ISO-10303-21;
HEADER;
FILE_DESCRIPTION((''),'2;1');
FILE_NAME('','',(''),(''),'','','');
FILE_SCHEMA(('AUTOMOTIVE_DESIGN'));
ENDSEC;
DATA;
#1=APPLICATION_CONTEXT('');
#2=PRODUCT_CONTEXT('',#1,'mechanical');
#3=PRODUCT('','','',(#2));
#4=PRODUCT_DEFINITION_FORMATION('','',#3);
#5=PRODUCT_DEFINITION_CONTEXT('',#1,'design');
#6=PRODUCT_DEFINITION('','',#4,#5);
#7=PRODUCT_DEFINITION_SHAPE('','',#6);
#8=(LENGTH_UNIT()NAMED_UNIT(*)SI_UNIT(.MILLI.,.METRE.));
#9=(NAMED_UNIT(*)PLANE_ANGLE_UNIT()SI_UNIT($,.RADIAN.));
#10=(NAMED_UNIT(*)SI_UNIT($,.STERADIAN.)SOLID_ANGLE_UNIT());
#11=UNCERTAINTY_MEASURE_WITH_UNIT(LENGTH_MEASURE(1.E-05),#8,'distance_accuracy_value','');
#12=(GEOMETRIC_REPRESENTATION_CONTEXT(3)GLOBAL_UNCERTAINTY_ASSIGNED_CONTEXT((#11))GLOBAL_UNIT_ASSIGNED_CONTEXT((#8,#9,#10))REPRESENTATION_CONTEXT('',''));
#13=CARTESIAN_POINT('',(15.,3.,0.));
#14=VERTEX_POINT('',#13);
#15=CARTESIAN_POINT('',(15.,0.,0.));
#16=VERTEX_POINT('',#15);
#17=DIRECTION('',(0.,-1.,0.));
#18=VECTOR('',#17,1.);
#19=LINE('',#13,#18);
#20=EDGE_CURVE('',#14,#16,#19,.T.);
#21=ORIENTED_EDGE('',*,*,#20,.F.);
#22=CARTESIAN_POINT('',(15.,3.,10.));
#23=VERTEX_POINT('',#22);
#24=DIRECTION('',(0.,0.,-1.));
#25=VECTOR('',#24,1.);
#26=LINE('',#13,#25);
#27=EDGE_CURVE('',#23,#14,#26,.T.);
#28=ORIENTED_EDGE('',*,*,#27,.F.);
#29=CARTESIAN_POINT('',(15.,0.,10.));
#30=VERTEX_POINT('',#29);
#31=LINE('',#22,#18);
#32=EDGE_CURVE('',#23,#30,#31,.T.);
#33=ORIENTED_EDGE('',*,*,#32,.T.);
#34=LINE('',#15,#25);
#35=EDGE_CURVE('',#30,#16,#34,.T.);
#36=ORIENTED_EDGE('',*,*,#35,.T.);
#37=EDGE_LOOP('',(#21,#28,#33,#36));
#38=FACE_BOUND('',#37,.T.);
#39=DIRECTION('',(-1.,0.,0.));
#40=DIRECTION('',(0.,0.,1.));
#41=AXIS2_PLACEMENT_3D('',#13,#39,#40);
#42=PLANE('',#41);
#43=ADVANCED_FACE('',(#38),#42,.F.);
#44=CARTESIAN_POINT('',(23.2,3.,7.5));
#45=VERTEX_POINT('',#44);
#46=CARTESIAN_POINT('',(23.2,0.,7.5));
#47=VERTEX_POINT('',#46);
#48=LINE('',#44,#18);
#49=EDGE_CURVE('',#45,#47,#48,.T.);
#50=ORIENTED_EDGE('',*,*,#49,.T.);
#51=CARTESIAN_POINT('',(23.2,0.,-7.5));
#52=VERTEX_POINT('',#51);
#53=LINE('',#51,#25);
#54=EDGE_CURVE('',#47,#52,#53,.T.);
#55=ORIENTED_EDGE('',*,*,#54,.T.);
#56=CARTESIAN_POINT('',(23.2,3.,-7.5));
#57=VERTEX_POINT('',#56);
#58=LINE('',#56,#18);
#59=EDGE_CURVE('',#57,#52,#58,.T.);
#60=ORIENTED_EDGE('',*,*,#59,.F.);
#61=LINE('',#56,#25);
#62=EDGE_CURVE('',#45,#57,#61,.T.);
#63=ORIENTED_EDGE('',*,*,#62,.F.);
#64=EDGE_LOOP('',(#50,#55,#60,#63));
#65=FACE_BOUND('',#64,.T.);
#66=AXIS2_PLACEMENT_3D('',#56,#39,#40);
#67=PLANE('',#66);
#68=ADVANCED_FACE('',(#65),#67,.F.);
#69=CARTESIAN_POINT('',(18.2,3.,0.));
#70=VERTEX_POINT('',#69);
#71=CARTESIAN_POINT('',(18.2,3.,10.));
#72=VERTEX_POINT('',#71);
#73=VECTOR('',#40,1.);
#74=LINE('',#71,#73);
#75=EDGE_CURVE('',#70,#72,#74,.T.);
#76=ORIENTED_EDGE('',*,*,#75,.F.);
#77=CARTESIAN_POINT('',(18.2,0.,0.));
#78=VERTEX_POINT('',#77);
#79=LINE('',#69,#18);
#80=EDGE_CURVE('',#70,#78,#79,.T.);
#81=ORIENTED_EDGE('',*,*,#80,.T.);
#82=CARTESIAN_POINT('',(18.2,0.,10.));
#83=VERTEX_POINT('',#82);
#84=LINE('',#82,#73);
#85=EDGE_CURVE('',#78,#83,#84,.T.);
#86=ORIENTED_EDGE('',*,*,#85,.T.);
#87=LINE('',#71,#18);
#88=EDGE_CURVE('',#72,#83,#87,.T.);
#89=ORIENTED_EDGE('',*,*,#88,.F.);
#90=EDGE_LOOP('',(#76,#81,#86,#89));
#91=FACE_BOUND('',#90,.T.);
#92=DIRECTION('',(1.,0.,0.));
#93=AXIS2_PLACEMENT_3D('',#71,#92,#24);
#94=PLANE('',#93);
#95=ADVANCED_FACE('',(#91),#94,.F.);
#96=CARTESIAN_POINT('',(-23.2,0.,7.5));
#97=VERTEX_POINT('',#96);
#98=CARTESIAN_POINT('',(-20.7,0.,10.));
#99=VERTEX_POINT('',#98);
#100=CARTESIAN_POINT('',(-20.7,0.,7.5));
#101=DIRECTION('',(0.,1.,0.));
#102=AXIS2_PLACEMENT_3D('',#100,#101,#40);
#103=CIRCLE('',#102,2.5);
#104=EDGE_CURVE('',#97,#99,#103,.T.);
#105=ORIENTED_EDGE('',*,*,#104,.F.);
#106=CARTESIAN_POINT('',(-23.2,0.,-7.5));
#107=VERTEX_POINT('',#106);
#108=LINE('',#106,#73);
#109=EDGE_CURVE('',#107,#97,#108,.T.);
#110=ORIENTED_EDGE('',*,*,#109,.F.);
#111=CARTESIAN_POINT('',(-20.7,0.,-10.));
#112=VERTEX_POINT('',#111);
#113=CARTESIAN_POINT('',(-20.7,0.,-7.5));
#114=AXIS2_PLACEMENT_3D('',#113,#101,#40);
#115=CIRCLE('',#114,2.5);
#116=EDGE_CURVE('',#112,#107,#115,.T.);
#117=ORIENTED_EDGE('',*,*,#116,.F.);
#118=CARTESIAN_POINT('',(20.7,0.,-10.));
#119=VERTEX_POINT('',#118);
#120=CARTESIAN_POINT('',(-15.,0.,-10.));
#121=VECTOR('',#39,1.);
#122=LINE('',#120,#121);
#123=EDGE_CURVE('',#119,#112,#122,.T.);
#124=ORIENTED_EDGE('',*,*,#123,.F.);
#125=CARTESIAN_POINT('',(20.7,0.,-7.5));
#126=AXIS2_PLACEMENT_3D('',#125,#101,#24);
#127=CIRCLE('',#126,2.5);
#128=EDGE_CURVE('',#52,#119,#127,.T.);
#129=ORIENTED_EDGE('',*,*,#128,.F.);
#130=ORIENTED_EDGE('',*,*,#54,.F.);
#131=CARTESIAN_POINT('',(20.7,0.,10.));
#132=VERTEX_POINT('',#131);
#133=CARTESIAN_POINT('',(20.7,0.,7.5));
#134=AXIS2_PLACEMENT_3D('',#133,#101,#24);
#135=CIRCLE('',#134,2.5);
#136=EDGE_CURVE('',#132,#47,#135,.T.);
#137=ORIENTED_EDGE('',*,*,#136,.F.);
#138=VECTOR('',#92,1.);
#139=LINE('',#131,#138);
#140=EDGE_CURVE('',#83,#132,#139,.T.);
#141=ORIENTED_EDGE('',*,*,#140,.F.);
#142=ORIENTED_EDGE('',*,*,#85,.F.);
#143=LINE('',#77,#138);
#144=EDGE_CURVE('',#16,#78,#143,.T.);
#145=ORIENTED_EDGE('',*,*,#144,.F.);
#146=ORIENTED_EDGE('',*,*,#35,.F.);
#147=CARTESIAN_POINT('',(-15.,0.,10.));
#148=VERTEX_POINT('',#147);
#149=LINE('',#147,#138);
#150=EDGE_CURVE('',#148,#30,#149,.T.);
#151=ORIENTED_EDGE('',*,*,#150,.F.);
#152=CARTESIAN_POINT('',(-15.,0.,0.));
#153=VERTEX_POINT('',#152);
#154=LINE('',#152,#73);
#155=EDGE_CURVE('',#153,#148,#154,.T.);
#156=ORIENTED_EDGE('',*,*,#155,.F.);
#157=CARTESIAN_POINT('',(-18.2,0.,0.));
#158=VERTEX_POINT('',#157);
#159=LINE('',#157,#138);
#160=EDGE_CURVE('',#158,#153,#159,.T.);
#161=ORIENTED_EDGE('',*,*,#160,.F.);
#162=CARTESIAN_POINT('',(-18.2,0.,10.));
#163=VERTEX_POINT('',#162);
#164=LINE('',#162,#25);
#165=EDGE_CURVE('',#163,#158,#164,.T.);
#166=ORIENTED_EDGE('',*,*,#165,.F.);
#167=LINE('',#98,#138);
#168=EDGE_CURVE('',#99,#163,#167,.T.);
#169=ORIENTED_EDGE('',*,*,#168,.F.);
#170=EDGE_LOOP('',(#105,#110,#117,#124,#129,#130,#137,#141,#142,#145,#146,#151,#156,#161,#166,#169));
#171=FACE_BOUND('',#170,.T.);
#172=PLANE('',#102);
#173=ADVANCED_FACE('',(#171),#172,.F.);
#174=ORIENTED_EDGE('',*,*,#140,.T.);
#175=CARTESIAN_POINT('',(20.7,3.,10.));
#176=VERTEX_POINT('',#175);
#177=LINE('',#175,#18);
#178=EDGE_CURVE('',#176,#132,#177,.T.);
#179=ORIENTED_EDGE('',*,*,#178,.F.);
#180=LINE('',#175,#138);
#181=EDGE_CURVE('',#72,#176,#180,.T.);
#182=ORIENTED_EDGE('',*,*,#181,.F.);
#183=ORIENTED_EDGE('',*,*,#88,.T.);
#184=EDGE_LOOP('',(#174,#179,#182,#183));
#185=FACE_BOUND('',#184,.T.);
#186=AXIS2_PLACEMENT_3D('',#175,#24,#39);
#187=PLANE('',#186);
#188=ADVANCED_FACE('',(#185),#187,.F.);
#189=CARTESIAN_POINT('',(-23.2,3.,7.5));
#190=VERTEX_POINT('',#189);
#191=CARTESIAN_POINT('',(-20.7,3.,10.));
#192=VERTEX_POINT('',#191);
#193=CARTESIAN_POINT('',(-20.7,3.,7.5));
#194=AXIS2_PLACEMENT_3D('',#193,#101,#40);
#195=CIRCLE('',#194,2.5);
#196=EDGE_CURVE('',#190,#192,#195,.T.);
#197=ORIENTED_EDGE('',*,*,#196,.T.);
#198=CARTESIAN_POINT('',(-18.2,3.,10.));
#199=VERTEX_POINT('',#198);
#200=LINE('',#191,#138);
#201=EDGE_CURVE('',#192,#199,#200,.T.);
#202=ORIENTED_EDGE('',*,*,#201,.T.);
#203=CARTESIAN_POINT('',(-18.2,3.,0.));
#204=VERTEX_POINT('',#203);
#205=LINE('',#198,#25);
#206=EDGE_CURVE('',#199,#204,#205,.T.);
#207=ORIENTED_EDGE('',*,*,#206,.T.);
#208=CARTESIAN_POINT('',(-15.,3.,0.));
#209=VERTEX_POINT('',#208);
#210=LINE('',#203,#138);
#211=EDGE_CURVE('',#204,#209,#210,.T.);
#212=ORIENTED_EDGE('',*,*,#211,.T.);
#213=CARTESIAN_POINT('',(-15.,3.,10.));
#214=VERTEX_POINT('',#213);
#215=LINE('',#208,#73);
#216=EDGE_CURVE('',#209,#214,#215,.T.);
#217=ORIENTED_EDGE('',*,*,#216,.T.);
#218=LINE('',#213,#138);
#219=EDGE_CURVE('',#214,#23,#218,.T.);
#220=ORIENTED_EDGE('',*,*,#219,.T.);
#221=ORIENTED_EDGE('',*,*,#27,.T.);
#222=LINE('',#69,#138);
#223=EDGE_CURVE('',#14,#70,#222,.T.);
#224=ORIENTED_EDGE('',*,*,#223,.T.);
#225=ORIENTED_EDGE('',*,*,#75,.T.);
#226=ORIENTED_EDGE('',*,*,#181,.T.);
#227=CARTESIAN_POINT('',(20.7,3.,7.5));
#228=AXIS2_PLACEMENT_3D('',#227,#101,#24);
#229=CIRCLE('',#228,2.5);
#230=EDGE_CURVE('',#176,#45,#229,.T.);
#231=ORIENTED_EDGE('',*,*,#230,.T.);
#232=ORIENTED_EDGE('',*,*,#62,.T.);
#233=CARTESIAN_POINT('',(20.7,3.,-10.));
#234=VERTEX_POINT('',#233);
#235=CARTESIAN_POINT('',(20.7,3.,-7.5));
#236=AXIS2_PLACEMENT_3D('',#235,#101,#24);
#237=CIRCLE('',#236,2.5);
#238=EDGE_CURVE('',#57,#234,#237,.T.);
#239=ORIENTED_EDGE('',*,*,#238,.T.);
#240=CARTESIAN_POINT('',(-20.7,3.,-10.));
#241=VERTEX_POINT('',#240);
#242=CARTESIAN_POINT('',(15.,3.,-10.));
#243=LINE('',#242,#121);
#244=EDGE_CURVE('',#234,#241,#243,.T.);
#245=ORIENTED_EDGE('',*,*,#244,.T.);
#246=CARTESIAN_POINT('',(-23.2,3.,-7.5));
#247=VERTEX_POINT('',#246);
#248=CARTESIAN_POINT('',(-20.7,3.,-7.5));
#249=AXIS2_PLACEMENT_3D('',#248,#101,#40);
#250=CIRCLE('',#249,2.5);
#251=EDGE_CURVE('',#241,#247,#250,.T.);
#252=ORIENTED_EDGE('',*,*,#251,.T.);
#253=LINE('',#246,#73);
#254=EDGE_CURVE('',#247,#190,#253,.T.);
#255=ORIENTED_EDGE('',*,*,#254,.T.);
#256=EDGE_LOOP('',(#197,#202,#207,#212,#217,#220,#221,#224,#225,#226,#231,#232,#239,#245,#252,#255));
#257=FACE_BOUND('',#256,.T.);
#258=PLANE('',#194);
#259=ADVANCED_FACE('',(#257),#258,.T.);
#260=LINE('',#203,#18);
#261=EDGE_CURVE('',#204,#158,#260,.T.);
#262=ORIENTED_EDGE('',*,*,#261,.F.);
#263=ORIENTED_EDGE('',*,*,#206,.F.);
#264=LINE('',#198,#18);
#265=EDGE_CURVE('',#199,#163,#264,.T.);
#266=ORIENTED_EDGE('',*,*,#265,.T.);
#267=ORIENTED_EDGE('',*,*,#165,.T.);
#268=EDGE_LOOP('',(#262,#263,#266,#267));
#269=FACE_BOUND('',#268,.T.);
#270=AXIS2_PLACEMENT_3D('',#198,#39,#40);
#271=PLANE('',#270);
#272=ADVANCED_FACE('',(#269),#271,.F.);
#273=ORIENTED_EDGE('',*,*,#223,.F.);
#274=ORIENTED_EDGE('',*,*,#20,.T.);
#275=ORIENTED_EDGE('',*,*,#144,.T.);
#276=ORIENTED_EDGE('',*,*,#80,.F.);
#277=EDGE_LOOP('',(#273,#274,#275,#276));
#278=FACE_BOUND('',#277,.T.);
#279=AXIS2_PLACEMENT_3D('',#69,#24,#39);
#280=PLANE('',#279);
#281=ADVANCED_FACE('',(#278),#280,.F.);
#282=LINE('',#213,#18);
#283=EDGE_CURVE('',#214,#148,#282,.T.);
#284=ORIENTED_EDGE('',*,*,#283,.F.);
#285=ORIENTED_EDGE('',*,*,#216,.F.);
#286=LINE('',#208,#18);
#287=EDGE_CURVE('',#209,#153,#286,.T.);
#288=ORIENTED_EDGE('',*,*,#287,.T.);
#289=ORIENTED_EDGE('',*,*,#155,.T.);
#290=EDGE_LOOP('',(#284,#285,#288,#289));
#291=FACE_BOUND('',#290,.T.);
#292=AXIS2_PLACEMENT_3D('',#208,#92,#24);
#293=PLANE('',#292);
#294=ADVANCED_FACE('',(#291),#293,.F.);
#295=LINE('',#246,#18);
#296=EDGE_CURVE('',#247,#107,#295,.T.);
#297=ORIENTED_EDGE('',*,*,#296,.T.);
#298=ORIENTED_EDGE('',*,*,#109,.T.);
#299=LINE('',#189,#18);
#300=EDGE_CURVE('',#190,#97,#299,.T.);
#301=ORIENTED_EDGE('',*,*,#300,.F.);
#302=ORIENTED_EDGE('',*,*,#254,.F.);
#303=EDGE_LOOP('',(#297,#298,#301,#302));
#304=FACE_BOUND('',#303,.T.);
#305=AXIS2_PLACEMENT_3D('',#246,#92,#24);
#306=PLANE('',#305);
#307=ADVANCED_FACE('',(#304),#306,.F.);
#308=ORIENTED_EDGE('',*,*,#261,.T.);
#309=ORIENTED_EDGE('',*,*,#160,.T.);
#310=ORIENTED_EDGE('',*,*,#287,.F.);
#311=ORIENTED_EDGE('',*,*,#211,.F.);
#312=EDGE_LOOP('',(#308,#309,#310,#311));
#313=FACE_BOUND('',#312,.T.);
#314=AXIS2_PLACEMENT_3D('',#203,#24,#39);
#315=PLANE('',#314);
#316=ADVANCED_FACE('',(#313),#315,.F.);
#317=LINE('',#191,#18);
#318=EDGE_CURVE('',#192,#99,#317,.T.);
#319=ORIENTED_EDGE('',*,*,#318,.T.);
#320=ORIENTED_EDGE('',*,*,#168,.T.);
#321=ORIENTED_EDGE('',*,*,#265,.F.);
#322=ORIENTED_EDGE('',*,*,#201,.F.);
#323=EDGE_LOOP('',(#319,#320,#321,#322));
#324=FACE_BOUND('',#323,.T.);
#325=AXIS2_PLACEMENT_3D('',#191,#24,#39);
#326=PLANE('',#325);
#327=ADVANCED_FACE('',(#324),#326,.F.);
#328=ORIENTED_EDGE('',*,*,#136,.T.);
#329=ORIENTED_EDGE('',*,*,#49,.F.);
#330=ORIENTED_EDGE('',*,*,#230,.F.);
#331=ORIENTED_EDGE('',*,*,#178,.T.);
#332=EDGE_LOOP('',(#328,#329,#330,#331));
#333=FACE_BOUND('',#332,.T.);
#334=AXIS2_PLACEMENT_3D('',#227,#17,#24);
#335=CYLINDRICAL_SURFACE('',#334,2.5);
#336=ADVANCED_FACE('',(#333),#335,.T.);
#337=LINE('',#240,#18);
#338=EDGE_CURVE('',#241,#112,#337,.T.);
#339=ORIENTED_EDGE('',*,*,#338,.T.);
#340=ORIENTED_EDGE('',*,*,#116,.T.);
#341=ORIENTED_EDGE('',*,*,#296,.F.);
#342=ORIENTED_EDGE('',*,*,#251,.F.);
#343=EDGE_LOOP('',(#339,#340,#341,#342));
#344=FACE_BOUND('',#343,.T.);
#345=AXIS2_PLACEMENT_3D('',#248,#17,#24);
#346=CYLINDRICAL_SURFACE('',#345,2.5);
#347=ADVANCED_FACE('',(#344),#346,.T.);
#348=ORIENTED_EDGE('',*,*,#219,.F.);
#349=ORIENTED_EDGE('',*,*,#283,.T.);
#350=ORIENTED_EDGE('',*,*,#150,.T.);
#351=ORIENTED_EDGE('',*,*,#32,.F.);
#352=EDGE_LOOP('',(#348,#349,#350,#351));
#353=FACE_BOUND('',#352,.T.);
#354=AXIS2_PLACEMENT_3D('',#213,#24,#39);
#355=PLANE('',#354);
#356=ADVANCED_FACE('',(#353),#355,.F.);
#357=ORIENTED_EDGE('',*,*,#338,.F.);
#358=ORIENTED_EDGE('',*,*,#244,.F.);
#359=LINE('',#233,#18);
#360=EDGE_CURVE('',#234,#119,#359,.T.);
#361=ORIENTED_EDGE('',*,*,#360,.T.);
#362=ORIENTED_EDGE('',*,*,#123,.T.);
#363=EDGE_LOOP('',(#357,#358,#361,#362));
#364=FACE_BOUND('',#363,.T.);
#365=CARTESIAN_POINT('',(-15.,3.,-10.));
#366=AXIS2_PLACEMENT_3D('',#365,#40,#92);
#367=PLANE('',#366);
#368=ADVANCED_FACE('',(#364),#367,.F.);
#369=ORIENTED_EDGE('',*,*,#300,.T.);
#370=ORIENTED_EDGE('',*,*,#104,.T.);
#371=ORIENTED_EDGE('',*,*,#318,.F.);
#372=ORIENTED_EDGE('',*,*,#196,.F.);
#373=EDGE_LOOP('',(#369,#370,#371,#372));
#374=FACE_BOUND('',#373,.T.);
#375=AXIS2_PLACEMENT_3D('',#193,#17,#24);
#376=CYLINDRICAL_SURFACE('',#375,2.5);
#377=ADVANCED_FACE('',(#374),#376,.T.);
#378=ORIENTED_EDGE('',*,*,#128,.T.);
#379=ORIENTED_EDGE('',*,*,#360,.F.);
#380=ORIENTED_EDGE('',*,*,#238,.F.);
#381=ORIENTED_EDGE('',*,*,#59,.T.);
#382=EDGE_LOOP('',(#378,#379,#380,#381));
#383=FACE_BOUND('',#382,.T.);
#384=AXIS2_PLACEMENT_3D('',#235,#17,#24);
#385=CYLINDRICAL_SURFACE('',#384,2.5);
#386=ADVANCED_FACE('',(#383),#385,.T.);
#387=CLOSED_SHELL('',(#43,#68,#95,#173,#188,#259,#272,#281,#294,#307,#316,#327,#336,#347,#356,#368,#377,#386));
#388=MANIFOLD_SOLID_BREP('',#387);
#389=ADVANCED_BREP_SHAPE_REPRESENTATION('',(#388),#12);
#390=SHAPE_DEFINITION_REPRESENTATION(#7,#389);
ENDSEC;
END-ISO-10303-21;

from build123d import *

# Parameters (mm, degrees)
EXTRUDE_1_DEPTH = 3


with BuildPart() as part:
    # 草图1 → 凸台-拉伸1 (new body)
    with BuildSketch(Plane(origin=(0, 0, 0), x_dir=(1, 0, 0), z_dir=(0, 1, 0))):
        with BuildLine():
            Line((15, 10), (20.7, 10))
            ThreePointArc((20.7, 10), (22.467766953, 9.267766953), (23.2, 7.5))
            Line((23.2, 7.5), (23.2, -7.5))
            ThreePointArc((23.2, -7.5), (22.467766953, -9.267766953), (20.7, -10))
            Line((20.7, -10), (18.2, -10))
            Line((18.2, -10), (18.2, 0))
            Line((18.2, 0), (15, 0))
            Line((15, 0), (15, -10))
            Line((15, -10), (-15, -10))
            Line((-15, -10), (-15, 0))
            Line((-15, 0), (-18.2, 0))
            Line((-18.2, 0), (-18.2, -10))
            Line((-18.2, -10), (-20.7, -10))
            ThreePointArc((-20.7, -10), (-22.467766953, -9.267766953), (-23.2, -7.5))
            Line((-23.2, -7.5), (-23.2, 7.5))
            ThreePointArc((-23.2, 7.5), (-22.467766953, 9.267766953), (-20.7, 10))
            Line((-20.7, 10), (-15, 10))
            Line((-15, 10), (15, 10))
        make_face()
    extrude(amount=EXTRUDE_1_DEPTH)


solid = part.part
